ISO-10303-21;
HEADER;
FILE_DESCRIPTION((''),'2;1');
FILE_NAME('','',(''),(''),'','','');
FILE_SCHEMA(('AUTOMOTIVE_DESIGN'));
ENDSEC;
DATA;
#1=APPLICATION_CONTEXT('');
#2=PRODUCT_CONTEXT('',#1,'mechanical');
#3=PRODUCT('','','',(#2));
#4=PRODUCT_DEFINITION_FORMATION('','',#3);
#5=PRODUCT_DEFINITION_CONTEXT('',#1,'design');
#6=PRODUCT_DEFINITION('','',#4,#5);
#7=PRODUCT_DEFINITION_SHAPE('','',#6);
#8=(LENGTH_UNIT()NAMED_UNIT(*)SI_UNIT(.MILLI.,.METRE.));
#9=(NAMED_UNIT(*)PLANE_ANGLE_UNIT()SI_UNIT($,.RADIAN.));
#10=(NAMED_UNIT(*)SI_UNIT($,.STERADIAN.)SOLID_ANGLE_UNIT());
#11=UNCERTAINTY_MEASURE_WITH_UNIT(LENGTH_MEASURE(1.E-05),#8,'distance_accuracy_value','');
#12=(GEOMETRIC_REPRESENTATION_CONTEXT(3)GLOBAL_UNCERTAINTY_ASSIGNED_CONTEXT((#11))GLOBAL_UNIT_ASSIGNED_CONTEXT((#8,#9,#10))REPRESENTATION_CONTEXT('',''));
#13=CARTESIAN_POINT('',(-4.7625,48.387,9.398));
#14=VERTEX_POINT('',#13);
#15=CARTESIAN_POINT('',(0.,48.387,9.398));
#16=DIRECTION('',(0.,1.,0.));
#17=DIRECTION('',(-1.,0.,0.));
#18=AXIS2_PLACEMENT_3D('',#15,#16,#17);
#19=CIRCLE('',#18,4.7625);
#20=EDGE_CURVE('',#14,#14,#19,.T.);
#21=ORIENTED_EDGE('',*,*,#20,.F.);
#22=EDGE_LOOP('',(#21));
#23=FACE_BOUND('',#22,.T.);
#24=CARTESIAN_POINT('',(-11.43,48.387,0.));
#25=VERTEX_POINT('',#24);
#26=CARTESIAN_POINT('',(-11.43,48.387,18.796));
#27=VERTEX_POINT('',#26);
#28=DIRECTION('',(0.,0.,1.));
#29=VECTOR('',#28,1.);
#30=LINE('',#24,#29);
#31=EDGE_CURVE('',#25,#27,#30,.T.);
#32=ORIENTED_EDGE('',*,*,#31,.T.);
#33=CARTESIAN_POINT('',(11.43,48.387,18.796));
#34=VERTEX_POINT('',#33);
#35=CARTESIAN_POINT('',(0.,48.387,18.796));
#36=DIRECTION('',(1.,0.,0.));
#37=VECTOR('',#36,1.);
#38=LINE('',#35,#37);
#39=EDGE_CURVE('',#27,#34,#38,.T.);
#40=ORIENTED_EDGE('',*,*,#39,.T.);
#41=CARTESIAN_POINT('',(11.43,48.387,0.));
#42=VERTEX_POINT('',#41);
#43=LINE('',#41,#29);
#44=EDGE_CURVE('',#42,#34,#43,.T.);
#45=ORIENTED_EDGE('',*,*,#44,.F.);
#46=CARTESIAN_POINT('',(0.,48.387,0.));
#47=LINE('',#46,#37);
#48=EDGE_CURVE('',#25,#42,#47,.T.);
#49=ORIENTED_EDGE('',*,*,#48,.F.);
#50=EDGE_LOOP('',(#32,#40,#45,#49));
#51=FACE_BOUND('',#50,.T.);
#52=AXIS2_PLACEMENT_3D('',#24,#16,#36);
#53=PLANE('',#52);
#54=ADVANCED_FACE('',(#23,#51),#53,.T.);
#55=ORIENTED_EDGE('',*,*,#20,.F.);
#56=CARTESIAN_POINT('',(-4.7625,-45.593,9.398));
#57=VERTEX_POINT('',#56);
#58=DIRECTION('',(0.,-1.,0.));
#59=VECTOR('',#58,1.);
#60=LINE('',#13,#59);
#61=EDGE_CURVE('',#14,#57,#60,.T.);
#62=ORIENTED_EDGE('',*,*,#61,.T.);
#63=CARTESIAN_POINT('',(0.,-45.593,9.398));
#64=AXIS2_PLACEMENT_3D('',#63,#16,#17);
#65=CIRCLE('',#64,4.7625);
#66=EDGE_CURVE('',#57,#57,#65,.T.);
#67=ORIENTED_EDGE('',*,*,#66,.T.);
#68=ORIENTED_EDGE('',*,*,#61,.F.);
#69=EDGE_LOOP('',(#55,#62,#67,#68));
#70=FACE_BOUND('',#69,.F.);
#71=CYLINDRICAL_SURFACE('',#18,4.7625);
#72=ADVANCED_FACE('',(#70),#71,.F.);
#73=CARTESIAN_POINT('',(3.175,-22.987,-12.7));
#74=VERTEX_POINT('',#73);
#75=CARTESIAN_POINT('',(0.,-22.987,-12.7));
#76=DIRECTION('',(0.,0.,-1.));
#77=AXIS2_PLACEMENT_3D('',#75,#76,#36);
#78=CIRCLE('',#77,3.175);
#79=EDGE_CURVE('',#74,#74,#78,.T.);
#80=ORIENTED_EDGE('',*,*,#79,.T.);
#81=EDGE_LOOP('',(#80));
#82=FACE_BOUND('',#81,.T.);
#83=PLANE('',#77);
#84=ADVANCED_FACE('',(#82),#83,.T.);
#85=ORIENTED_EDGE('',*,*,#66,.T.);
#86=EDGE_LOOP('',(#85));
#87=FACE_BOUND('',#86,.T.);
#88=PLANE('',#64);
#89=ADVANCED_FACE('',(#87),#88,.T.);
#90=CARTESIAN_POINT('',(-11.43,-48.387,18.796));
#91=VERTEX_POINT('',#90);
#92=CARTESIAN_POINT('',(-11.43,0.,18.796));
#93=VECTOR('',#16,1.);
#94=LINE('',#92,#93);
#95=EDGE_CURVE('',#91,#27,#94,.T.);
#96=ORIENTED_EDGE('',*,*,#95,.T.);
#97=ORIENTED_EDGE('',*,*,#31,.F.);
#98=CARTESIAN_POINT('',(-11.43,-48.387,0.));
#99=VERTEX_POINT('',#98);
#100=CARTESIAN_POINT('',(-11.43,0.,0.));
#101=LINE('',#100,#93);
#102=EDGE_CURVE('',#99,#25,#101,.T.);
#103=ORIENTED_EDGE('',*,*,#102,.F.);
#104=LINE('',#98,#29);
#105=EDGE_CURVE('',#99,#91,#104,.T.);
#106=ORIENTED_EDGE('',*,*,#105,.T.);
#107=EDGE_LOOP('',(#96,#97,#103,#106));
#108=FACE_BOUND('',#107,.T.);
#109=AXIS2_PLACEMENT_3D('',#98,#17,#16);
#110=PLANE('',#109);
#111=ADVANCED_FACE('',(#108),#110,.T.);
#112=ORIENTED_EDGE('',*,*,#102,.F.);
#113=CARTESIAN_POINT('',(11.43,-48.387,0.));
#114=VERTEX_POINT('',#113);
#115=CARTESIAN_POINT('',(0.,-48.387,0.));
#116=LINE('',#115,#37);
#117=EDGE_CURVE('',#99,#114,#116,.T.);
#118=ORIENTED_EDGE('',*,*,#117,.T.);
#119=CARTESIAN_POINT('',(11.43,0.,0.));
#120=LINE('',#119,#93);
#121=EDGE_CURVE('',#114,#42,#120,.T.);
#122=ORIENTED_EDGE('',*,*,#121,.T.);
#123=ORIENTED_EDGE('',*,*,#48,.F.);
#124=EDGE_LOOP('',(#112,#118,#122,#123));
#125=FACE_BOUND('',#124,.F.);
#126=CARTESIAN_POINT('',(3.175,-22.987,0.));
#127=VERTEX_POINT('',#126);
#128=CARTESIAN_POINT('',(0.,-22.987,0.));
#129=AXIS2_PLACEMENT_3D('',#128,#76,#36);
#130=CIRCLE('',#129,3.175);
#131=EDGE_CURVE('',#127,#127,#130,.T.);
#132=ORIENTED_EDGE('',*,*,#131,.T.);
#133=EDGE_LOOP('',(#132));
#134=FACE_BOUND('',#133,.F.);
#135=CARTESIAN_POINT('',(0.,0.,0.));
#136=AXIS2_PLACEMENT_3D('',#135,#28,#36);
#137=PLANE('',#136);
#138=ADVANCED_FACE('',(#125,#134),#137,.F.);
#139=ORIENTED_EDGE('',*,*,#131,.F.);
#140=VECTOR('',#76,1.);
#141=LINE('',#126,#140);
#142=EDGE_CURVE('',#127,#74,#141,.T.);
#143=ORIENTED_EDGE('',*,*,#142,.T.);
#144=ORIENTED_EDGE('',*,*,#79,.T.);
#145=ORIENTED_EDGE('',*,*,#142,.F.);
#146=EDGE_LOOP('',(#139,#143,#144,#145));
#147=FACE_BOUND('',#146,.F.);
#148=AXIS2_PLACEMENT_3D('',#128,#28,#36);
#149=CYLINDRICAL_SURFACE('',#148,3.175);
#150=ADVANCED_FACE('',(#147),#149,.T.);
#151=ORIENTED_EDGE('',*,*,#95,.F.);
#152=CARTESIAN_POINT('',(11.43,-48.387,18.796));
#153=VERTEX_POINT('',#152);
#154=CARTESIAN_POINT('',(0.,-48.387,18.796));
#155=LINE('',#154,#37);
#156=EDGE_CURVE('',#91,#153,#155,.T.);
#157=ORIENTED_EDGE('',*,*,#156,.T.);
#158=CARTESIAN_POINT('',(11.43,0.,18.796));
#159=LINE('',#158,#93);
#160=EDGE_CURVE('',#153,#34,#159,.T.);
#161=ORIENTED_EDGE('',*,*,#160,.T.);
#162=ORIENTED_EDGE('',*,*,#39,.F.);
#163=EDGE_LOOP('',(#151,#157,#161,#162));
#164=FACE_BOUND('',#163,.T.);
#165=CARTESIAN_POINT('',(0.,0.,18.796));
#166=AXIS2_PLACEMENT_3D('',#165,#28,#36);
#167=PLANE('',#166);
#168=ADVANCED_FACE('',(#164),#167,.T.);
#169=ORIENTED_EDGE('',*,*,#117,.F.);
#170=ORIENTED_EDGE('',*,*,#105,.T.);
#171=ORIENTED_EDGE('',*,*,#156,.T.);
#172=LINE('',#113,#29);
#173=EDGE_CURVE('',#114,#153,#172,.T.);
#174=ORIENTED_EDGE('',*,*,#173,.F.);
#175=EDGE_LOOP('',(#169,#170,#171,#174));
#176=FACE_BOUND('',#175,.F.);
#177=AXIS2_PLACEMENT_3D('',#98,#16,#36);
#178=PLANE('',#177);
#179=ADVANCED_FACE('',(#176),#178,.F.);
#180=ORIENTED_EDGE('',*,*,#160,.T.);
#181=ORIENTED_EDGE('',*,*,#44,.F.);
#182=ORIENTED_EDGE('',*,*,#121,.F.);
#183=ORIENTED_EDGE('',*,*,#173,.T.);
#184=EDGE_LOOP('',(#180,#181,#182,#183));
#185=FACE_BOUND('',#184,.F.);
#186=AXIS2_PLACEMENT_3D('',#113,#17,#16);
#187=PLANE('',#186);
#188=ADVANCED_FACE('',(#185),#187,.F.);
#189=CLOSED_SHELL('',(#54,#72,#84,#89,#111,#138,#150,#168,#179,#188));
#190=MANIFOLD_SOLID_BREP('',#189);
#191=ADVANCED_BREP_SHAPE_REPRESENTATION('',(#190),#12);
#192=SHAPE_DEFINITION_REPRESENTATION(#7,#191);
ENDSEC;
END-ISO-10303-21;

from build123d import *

# Parameters (mm, degrees)
F0_W     = 22.86
F0_H     = 96.774
F1_DEPTH = 18.796
F2_R     = 4.7625
F3_DEPTH = 93.98
F4_R     = 3.175
F5_DEPTH = 12.7


with BuildPart() as f1:
    # F0 (on Top) → F1 (new body)
    with BuildSketch(Plane.XY):
        Rectangle(F0_W, F0_H)
    extrude(amount=F1_DEPTH)

    # F2 (on face) → F3 (cut)
    with BuildSketch(Plane(origin=(0, 48.387, 0), x_dir=(-1, 0, 0), z_dir=(0, 1, 0))):
        with Locations((0, 9.398)):
            Circle(F2_R)
    extrude(amount=-F3_DEPTH, mode=Mode.SUBTRACT)

    # F4 (on face) → F5 (join)
    with BuildSketch(Plane(origin=(0, 0, 0), x_dir=(1, 0, 0), z_dir=(0, 0, -1))):
        with Locations((0, 22.987)):
            Circle(F4_R)
    extrude(amount=F5_DEPTH)


solid = f1.part
